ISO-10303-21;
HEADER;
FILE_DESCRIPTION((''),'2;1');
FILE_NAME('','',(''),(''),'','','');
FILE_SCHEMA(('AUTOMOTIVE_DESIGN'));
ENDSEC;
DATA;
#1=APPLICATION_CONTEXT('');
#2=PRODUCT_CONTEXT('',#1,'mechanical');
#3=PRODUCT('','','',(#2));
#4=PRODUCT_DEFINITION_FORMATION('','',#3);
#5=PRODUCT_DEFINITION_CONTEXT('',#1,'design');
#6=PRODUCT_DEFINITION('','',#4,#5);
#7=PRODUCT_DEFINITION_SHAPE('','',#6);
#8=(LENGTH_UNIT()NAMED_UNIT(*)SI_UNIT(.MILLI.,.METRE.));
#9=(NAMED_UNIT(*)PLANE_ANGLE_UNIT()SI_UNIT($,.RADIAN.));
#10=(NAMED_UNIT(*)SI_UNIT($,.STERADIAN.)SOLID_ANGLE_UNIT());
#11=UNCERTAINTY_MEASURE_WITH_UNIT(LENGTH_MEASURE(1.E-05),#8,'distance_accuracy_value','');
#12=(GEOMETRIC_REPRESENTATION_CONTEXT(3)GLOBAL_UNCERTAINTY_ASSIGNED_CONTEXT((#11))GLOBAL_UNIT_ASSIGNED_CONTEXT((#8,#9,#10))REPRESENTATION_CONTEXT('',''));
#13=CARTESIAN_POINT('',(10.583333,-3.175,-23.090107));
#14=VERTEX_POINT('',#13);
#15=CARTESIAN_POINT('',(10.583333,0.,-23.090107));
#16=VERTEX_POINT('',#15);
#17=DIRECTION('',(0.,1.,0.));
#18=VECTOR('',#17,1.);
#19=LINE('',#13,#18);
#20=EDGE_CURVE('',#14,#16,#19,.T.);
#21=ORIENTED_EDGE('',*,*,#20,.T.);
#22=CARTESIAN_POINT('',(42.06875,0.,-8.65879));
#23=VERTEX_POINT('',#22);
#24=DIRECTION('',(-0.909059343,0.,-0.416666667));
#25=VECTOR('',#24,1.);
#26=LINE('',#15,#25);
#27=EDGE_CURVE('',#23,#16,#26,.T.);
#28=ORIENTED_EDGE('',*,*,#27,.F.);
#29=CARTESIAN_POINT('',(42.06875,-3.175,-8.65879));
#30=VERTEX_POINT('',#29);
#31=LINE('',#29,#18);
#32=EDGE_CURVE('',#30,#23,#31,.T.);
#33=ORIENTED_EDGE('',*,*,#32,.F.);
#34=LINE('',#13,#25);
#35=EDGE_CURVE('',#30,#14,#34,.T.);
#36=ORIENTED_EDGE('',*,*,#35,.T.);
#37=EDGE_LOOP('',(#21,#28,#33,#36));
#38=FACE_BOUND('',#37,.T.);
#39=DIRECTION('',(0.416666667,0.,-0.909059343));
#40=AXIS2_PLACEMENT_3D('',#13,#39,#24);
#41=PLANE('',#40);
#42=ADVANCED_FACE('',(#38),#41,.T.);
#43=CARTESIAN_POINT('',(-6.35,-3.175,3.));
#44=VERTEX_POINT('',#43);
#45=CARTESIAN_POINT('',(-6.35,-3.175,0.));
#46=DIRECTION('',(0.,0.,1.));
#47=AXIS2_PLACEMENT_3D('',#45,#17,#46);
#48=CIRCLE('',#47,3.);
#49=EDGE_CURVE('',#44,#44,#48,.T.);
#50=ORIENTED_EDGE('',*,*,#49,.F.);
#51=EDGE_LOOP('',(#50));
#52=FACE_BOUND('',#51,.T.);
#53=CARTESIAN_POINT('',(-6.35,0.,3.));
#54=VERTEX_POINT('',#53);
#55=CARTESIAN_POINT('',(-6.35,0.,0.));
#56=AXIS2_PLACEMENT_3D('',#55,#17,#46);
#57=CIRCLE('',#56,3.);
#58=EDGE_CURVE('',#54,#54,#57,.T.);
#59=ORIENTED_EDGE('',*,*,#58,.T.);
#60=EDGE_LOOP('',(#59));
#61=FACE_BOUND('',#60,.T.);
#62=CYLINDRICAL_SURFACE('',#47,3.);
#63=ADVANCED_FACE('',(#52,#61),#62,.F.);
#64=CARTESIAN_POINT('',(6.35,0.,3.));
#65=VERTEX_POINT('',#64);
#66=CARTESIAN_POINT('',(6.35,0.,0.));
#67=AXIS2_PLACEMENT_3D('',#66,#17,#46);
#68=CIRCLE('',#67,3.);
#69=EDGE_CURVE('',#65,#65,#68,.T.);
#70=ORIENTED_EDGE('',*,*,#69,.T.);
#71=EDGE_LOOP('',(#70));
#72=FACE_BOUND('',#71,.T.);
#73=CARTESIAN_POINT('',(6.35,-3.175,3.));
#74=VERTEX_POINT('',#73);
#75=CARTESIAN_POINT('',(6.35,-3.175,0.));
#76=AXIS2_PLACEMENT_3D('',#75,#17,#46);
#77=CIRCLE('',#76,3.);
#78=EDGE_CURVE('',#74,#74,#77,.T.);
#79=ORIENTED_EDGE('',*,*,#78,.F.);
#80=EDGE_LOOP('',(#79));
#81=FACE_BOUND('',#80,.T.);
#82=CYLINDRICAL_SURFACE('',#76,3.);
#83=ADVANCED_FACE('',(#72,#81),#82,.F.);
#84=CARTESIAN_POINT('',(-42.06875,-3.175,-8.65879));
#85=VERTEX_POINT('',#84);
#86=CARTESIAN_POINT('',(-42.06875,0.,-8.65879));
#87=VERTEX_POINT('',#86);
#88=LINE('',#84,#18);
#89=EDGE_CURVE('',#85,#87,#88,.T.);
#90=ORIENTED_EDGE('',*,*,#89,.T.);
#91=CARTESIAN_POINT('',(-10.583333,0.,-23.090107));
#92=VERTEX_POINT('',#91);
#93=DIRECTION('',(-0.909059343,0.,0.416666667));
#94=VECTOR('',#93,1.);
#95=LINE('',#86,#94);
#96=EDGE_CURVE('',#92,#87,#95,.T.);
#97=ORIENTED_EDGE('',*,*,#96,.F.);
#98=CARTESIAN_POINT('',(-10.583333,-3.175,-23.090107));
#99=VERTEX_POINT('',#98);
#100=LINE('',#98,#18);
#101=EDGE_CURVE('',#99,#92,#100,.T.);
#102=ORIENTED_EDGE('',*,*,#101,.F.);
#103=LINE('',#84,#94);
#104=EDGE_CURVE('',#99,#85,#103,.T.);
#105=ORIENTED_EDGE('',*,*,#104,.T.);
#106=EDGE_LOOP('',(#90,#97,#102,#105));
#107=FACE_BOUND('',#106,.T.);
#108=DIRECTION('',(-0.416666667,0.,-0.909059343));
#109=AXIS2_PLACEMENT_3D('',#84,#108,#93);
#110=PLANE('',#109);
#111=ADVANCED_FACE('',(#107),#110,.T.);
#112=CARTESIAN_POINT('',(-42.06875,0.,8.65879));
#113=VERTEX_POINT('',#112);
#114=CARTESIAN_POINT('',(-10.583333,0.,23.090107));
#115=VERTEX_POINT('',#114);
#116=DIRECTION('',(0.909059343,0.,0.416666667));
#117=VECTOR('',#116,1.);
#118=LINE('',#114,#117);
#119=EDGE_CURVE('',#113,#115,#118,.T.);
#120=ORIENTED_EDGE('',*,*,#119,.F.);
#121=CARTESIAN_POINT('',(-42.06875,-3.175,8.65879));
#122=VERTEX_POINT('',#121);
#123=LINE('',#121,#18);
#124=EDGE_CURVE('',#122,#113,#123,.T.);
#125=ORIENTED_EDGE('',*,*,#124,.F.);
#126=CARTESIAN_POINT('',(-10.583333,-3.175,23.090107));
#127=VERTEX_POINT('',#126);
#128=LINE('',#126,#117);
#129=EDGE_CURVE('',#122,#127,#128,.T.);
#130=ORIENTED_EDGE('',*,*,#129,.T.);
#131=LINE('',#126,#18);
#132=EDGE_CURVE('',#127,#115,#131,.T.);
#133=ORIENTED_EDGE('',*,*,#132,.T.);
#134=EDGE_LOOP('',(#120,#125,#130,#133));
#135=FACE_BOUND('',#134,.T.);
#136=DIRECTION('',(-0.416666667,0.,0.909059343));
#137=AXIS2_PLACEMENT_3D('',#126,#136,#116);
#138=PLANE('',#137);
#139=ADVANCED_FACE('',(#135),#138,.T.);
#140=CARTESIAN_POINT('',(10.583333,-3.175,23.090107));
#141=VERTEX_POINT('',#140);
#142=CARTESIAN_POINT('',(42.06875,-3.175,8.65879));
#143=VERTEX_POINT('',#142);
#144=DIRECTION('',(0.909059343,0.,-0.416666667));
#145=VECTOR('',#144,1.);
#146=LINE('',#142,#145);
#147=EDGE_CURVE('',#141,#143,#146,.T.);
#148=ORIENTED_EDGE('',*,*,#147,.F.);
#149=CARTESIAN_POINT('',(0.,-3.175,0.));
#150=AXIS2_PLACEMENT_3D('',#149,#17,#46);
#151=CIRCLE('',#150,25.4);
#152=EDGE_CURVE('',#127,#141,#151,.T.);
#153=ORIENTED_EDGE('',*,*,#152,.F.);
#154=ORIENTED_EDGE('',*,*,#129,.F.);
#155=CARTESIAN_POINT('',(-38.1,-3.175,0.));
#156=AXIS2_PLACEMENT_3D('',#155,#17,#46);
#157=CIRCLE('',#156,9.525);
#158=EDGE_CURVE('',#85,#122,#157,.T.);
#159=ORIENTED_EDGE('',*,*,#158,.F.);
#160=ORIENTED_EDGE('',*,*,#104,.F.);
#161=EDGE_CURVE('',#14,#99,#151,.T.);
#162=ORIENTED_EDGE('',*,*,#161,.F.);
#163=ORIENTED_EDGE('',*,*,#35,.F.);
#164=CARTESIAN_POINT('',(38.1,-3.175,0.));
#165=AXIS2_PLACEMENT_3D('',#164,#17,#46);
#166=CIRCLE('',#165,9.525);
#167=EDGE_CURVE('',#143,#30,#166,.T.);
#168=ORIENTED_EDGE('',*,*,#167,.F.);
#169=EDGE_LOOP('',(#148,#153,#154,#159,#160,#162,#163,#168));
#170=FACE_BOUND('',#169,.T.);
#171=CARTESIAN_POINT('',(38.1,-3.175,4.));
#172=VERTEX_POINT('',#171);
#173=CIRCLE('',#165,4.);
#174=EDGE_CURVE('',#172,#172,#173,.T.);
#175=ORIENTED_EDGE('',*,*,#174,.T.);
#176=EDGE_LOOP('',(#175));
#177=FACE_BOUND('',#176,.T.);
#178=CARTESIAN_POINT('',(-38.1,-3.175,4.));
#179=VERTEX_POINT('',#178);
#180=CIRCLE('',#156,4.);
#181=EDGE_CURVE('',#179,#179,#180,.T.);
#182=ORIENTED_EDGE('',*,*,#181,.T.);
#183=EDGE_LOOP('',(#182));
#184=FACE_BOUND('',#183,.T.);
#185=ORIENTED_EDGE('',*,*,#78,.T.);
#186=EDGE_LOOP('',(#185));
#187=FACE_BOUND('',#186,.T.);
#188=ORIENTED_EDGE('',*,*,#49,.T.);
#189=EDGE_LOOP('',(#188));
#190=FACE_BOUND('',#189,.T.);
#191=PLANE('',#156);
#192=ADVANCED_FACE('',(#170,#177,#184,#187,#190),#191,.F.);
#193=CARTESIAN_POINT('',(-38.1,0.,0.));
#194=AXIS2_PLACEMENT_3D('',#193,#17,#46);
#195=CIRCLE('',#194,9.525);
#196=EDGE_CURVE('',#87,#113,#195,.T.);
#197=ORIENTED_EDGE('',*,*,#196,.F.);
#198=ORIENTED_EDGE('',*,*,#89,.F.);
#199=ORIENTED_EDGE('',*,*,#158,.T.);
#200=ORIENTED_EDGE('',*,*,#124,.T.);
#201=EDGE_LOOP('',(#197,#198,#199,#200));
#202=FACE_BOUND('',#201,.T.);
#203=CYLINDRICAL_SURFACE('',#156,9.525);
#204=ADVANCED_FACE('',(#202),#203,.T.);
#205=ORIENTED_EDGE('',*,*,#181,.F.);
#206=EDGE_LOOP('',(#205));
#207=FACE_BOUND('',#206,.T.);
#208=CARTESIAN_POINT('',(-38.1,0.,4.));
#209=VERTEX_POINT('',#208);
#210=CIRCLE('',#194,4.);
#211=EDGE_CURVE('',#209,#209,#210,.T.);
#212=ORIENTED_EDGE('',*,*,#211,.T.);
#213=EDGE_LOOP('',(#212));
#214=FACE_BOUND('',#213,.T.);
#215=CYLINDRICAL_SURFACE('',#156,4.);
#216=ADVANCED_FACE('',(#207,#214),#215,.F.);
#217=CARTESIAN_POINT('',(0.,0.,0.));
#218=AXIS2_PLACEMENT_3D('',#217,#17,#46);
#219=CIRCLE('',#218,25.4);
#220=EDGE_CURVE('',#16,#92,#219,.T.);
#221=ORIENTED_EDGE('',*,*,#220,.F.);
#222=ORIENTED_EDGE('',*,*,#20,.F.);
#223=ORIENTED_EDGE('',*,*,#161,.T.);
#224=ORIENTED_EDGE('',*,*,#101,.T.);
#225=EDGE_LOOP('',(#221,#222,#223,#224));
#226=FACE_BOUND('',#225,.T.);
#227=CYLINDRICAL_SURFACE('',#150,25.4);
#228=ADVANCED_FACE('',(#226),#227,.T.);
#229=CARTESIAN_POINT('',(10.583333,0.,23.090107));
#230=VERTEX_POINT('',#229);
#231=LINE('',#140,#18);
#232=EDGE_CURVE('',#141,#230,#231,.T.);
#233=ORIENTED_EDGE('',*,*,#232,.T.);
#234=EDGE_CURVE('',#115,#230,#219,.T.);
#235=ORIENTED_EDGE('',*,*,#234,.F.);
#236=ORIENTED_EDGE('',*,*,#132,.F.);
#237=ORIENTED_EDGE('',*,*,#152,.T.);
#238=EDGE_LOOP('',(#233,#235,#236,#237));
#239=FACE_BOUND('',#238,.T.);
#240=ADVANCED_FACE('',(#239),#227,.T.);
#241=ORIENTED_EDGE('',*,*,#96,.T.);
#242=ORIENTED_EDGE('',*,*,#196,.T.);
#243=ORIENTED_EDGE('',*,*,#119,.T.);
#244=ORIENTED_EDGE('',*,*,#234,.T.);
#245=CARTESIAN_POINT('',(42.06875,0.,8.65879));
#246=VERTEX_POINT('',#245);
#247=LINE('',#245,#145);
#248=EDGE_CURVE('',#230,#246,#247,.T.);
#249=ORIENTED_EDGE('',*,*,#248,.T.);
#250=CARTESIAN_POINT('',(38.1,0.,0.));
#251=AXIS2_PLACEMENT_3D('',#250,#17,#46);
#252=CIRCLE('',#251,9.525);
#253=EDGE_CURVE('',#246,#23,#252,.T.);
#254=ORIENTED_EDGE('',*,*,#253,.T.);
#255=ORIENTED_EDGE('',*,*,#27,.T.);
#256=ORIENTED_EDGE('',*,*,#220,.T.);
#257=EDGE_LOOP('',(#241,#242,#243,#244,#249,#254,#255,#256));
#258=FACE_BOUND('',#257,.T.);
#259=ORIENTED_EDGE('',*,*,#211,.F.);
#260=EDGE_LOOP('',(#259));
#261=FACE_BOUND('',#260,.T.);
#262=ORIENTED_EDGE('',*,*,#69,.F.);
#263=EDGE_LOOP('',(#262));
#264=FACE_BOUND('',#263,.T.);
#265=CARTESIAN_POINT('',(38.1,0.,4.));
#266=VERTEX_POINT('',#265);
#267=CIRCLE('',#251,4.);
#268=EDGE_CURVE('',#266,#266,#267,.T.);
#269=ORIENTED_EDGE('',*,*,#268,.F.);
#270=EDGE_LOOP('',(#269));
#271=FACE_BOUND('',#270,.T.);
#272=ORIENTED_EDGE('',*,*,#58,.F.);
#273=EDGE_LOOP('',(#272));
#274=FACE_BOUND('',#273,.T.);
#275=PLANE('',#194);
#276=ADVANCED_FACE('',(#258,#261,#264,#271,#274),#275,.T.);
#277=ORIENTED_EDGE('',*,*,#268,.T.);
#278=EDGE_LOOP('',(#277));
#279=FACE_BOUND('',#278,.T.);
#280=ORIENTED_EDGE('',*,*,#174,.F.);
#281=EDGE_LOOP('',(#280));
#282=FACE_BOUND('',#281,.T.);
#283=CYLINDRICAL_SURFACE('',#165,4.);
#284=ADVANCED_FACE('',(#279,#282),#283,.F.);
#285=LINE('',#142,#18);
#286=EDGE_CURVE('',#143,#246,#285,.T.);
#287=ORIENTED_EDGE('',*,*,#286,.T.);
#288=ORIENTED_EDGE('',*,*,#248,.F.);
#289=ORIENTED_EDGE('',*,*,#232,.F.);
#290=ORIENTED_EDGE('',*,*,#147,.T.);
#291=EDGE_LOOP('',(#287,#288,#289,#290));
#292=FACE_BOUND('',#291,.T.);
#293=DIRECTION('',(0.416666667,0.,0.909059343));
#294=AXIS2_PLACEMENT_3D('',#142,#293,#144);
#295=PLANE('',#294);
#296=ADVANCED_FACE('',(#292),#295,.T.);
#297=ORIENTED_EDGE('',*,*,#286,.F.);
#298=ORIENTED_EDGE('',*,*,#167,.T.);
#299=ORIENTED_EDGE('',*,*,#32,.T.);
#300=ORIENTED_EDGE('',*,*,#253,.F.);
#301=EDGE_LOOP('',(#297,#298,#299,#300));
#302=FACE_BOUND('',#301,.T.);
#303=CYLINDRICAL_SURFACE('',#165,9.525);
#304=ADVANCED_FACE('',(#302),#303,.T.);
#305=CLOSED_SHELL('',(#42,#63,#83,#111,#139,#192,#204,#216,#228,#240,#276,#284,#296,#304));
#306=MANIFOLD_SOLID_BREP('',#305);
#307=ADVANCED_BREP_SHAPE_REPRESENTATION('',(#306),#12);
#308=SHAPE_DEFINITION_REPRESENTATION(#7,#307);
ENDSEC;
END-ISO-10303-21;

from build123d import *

# Parameters (mm, degrees)
SKETCH1_R           = 4
SKETCH1_R_2         = 3
BOSS_EXTRUDE1_DEPTH = 3.175


with BuildPart() as part:
    # Sketch1 → Boss-Extrude1 (new body)
    with BuildSketch(Plane(origin=(0, 0, 0), x_dir=(1, 0, 0), z_dir=(0, 1, 0))):
        with BuildLine():
            Line((-42.06875, 8.658790241), (-10.583333333, 23.090107309))
            ThreePointArc((-10.583333333, 23.090107309), (0, 25.4), (10.583333333, 23.090107309))
            Line((10.583333333, 23.090107309), (42.06875, 8.658790241))
            ThreePointArc((42.06875, 8.658790241), (47.625, 0), (42.06875, -8.658790241))
            Line((42.06875, -8.658790241), (10.583333333, -23.090107309))
            ThreePointArc((10.583333333, -23.090107309), (0, -25.4), (-10.583333333, -23.090107309))
            Line((-10.583333333, -23.090107309), (-42.06875, -8.658790241))
            ThreePointArc((-42.06875, -8.658790241), (-47.625, 0), (-42.06875, 8.658790241))
        make_face()
        with Locations((-38.1, 0)):
            Circle(SKETCH1_R, mode=Mode.SUBTRACT)
        with Locations((38.1, 0)):
            Circle(SKETCH1_R, mode=Mode.SUBTRACT)
        with Locations((6.35, 0)):
            Circle(SKETCH1_R_2, mode=Mode.SUBTRACT)
        with Locations((-6.35, 0)):
            Circle(SKETCH1_R_2, mode=Mode.SUBTRACT)
    extrude(amount=-BOSS_EXTRUDE1_DEPTH)


solid = part.part
